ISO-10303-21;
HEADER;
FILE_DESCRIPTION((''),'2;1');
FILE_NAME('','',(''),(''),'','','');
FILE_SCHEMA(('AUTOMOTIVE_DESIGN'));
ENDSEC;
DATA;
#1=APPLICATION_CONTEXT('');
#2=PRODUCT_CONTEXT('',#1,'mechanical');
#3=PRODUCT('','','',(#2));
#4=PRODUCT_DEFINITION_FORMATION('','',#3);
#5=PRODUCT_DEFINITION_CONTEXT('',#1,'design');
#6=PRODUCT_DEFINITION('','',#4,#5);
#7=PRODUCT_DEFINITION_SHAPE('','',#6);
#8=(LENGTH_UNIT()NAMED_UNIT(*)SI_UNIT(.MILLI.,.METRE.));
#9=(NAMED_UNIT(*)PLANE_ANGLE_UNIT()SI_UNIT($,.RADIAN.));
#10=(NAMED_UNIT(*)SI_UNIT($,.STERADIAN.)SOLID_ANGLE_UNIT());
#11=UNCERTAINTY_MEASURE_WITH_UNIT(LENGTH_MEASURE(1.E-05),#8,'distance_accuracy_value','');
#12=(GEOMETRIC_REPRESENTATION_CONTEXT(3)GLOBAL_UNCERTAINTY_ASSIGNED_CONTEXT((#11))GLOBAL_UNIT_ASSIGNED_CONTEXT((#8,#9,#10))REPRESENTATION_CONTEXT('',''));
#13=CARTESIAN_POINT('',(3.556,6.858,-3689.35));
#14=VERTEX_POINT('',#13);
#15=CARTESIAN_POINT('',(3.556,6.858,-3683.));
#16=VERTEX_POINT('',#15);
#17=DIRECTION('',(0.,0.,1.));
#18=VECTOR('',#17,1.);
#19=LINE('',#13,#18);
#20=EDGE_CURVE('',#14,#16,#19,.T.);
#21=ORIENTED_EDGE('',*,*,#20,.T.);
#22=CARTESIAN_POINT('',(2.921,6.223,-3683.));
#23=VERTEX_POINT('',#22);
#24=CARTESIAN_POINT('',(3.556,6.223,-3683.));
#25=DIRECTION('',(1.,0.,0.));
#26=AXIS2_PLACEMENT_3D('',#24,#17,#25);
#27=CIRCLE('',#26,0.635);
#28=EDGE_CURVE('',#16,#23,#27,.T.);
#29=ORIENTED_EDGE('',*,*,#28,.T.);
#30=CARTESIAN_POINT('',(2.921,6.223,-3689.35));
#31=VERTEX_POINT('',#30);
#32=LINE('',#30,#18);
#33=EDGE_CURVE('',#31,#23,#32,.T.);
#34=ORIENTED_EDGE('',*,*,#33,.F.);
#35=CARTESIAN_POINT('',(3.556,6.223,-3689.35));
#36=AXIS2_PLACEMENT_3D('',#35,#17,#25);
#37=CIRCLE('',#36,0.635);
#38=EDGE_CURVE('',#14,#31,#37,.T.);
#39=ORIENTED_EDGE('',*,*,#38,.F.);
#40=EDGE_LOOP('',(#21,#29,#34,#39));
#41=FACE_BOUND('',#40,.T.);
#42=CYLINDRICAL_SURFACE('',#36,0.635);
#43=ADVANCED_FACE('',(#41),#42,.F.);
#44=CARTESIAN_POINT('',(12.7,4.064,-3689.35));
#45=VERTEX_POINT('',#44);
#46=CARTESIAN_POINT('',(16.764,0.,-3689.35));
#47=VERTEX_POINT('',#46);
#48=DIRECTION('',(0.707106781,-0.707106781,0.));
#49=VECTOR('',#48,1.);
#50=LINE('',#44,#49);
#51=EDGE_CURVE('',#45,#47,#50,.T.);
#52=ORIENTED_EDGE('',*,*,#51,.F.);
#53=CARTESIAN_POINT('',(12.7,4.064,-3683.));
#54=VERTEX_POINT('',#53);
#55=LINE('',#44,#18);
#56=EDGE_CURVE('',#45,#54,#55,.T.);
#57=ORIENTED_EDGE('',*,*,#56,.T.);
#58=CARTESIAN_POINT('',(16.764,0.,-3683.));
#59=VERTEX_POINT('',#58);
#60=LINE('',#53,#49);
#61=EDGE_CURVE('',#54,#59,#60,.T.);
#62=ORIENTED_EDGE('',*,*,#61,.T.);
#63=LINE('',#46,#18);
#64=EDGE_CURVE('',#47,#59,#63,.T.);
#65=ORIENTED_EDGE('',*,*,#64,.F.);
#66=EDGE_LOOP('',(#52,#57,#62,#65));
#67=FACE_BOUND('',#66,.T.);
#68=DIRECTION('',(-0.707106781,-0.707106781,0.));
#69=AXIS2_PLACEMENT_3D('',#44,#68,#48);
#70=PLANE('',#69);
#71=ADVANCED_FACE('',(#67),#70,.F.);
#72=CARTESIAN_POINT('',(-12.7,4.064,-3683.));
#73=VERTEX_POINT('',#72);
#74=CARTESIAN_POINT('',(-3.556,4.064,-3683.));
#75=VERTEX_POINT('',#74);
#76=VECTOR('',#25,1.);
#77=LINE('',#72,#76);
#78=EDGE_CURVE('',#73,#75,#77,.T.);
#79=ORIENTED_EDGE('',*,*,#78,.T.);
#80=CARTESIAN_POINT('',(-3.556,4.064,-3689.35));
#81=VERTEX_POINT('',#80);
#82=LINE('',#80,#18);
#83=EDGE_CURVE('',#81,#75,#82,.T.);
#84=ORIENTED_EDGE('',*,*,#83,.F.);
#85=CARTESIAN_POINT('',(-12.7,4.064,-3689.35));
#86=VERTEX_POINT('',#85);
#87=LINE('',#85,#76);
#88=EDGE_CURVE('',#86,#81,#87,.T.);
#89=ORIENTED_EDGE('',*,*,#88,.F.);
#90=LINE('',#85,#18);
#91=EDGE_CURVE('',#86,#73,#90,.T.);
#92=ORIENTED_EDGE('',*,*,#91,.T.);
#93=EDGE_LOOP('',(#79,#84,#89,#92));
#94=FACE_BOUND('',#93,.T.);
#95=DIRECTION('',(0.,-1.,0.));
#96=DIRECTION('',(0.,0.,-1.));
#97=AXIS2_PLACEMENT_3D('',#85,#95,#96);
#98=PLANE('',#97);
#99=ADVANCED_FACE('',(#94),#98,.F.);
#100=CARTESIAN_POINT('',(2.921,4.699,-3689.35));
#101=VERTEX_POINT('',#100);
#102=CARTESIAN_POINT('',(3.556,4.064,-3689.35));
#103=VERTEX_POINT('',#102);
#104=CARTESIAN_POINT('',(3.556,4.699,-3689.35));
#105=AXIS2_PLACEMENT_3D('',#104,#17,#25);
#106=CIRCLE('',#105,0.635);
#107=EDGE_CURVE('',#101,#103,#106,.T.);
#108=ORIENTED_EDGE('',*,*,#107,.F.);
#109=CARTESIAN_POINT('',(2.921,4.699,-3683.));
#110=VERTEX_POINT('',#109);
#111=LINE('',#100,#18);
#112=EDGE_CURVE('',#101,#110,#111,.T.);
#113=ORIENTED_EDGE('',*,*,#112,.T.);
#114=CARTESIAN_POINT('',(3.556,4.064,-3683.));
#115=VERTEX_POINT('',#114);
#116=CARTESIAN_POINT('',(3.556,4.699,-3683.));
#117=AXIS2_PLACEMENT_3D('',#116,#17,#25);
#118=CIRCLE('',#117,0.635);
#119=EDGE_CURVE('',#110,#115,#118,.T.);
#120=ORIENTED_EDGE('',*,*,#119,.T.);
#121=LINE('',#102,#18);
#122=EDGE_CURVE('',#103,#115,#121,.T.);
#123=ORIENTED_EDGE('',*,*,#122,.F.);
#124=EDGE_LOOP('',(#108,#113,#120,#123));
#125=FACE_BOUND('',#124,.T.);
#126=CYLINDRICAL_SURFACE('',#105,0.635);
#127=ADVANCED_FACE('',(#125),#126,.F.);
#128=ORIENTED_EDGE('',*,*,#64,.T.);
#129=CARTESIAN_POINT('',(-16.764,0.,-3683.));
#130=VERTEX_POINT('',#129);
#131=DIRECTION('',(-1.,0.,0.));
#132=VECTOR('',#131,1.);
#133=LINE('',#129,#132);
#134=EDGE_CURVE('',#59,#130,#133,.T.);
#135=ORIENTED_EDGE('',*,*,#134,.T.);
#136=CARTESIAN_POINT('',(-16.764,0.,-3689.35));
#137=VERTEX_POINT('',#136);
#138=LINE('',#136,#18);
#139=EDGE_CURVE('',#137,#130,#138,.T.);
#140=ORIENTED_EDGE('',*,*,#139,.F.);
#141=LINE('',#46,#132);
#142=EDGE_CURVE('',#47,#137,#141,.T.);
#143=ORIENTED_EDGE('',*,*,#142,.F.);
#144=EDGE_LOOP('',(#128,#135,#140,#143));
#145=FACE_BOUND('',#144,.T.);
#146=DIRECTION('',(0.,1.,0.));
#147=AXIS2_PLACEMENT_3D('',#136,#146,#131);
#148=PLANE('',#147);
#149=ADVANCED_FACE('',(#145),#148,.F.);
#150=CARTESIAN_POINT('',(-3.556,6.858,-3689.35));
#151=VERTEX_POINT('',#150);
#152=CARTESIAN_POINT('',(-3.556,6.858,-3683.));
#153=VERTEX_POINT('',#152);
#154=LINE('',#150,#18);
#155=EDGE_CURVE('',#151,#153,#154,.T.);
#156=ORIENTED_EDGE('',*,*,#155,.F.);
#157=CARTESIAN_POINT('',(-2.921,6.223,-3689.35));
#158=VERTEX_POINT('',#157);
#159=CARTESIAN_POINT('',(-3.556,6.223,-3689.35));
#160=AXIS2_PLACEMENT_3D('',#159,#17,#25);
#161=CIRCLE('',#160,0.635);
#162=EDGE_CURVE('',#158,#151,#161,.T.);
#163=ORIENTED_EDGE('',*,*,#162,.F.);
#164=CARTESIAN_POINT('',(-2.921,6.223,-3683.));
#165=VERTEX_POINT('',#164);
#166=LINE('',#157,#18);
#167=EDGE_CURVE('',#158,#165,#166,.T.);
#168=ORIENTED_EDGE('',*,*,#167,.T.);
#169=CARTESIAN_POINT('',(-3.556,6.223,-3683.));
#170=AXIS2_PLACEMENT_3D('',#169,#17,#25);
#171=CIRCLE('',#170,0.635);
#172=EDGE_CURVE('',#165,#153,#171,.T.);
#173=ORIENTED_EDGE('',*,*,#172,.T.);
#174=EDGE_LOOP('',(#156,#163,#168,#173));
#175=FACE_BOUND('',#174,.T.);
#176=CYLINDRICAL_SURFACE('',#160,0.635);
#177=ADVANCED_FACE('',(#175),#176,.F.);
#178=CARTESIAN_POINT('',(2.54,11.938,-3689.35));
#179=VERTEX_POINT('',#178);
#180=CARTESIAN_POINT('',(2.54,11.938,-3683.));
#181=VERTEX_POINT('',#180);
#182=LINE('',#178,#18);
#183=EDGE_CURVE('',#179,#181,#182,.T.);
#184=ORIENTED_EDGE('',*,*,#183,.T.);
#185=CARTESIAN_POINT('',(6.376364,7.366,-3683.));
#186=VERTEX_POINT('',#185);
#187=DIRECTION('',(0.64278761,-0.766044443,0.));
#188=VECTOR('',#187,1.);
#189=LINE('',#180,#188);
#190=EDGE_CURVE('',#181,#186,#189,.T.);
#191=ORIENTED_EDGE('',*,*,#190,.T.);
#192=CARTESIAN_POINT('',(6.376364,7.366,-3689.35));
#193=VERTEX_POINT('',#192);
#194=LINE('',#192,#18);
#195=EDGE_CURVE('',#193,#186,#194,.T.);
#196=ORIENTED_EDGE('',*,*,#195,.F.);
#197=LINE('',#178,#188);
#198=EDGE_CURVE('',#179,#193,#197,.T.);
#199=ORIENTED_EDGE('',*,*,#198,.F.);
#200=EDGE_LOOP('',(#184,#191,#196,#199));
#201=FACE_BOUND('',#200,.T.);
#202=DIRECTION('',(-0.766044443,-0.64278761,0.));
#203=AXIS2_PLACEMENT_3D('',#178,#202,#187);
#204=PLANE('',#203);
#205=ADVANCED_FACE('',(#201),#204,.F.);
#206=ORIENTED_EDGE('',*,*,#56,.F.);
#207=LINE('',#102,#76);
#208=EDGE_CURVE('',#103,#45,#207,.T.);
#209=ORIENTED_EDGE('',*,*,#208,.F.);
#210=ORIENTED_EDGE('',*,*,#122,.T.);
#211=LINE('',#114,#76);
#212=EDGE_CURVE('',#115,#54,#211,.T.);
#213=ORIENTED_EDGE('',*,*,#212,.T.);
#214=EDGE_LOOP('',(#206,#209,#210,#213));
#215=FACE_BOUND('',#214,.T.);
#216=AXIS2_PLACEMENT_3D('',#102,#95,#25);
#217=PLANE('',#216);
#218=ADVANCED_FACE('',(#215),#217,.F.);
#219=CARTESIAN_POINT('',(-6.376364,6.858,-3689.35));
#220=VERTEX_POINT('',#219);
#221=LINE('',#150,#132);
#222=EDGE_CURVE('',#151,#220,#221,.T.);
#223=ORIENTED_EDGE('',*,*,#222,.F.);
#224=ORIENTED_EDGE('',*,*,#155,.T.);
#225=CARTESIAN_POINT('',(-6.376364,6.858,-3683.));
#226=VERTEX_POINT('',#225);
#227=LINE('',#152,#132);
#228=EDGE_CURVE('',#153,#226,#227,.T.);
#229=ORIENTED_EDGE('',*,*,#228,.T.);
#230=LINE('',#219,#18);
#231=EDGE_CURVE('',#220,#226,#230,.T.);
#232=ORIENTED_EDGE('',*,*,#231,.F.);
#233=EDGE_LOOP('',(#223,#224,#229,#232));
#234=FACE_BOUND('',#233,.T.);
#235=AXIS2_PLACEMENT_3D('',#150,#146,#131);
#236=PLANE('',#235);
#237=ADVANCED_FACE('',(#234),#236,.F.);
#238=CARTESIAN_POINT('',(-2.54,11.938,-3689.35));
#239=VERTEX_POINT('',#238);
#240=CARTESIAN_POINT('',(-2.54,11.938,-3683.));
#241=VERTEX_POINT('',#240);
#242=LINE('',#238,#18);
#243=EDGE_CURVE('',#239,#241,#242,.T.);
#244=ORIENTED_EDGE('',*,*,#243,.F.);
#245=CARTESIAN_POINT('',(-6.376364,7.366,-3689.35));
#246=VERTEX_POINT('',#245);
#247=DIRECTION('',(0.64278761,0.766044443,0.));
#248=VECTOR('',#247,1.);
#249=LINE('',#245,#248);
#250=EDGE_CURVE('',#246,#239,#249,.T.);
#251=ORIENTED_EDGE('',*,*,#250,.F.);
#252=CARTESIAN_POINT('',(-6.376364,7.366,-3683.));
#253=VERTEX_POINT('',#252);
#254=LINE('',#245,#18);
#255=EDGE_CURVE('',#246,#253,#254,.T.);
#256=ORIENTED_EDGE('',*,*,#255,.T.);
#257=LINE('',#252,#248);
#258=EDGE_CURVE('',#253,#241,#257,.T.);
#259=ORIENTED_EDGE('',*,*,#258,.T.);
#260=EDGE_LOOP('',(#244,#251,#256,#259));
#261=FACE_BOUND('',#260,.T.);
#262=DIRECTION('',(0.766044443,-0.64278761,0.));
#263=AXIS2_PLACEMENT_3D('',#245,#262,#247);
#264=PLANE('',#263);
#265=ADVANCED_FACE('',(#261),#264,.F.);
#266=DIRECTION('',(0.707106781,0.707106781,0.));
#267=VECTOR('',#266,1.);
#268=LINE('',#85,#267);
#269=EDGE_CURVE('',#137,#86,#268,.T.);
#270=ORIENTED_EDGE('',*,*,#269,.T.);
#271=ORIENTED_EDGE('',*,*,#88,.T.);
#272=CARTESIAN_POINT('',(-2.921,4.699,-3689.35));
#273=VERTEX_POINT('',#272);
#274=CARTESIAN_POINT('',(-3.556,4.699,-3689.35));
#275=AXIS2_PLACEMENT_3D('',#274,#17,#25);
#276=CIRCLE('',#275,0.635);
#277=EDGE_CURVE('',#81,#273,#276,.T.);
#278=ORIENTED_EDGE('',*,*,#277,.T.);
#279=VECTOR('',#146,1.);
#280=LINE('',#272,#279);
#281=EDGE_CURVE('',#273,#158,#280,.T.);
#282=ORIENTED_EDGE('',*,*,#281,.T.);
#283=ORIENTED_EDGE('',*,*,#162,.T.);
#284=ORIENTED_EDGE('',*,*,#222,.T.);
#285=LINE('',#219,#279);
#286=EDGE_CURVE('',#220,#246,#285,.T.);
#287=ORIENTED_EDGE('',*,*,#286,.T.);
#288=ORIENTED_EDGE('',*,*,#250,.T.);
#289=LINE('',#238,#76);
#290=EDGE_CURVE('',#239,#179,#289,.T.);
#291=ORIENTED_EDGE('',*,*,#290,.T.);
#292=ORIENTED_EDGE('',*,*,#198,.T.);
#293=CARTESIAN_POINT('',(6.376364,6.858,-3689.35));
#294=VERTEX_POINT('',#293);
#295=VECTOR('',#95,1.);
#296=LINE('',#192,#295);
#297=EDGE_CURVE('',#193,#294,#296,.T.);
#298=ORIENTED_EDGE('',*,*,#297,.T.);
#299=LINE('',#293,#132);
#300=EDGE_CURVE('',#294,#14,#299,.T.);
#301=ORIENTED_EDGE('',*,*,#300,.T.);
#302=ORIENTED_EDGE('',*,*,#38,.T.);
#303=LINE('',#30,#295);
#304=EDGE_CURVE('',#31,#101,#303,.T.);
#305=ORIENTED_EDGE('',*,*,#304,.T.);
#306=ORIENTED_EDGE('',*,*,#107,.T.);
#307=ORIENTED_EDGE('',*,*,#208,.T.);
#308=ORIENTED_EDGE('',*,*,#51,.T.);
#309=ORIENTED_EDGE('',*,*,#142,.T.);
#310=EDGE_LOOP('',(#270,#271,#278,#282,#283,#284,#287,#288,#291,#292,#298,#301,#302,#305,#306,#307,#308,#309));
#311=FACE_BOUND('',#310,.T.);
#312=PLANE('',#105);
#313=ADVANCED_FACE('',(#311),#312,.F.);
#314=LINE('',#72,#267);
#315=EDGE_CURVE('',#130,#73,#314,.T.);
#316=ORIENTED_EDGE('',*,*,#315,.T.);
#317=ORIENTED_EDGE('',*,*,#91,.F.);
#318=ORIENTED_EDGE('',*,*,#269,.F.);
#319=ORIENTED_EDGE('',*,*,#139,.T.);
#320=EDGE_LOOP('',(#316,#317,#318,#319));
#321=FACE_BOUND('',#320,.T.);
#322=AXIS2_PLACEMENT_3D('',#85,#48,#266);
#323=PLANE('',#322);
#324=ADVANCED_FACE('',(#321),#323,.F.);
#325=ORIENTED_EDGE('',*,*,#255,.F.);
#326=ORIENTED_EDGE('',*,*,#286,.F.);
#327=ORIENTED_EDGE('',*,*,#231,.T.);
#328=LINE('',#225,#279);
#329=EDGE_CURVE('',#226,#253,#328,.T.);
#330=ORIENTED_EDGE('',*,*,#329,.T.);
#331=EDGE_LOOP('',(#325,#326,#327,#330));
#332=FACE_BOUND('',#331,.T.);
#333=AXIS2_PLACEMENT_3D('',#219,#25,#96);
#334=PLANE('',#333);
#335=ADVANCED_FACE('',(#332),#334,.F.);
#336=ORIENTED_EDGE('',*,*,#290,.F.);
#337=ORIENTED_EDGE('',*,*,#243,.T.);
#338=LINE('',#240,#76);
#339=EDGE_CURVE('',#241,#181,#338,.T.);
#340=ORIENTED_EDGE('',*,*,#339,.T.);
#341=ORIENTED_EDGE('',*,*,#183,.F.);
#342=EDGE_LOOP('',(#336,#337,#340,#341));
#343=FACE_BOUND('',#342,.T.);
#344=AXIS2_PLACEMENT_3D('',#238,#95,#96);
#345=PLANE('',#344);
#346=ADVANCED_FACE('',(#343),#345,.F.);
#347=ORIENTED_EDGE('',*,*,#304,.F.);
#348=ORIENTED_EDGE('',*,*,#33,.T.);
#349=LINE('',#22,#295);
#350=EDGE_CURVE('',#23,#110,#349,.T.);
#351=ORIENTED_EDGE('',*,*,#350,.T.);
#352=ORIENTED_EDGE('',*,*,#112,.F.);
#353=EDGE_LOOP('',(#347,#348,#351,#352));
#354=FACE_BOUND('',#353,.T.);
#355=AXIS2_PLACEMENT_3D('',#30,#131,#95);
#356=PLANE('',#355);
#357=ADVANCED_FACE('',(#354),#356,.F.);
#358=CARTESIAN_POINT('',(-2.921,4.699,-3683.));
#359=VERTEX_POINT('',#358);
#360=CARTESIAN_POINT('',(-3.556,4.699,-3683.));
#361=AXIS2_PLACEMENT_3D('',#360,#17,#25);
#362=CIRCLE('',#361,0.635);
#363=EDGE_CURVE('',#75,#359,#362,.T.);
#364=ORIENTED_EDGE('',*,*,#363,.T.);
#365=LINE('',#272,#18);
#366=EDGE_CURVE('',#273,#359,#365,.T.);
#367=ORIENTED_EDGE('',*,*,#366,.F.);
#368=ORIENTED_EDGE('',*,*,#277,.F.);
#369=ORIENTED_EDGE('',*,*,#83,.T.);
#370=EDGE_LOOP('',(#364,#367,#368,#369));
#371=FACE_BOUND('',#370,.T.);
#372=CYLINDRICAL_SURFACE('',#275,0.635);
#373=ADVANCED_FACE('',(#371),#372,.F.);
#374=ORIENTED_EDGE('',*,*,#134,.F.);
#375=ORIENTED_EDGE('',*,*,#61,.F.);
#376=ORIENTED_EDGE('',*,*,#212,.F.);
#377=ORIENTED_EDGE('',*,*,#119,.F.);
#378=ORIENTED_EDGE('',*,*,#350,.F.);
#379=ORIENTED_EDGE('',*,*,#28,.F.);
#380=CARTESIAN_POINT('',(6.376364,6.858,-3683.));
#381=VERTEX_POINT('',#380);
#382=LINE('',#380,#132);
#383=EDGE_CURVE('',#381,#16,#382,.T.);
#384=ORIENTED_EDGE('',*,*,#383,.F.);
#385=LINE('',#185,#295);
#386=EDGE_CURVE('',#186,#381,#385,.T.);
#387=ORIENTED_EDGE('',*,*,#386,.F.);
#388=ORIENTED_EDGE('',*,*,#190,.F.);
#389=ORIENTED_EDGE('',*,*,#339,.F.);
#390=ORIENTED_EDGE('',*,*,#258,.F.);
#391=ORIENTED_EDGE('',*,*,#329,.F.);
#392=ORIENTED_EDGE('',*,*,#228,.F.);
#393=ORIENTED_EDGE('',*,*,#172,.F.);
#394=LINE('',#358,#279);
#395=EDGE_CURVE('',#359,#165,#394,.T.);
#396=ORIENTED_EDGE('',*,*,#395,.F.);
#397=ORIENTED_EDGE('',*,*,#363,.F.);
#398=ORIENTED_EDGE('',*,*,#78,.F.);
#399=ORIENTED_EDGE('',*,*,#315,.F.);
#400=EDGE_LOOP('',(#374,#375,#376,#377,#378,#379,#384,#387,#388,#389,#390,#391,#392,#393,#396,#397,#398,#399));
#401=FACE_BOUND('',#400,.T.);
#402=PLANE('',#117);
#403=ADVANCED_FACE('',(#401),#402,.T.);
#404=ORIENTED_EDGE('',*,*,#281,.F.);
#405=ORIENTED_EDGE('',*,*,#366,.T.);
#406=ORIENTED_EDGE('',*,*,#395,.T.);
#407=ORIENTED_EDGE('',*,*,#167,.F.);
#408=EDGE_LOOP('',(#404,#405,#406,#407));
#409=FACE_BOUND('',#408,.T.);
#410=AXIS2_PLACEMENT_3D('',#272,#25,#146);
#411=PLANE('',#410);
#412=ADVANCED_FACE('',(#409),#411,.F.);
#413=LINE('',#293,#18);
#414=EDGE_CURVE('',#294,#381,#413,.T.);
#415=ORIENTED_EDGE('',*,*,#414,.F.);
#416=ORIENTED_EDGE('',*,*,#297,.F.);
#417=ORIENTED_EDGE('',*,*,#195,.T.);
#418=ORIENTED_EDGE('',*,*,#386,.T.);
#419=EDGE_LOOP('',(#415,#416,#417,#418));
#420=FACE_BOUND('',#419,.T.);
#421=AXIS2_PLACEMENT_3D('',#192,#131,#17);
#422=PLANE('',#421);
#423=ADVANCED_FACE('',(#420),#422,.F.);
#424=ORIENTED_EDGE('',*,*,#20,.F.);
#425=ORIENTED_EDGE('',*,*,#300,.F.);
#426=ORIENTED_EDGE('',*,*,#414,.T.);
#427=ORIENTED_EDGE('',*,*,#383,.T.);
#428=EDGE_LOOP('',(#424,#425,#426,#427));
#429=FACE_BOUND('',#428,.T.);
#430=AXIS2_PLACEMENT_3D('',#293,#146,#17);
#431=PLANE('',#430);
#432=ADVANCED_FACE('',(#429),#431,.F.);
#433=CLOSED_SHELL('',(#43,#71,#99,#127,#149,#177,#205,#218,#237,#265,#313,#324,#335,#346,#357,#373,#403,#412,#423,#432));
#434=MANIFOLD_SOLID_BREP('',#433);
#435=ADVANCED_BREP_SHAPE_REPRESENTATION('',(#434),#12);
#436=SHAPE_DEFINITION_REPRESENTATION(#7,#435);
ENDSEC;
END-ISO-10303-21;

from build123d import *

# Parameters (mm, degrees)
BOSS_EXTRUDE8_DEPTH = 6.35


with BuildPart() as part:
    # Sketch1 → Boss-Extrude8 (new body)
    with BuildSketch(Plane(origin=(0, 0, -3683), x_dir=(-1, 0, 0), z_dir=(0, 0, -1))):
        with BuildLine():
            Line((12.7, 4.064), (3.556, 4.064))
            ThreePointArc((3.556, 4.064), (3.106987194, 4.249987194), (2.921, 4.699))
            Line((2.921, 4.699), (2.921, 6.223))
            ThreePointArc((2.921, 6.223), (3.106987194, 6.672012806), (3.556, 6.858))
            Line((3.556, 6.858), (6.376363549, 6.858))
            Line((6.376363549, 6.858), (6.376363549, 7.365999958))
            Line((6.376363549, 7.365999958), (2.54, 11.938))
            Line((2.54, 11.938), (-2.54, 11.938))
            Line((-2.54, 11.938), (-6.376363549, 7.365999958))
            Line((-6.376363549, 7.365999958), (-6.376363549, 6.858))
            Line((-6.376363549, 6.858), (-3.556, 6.858))
            ThreePointArc((-3.556, 6.858), (-3.106987194, 6.672012806), (-2.921, 6.223))
            Line((-2.921, 6.223), (-2.921, 4.699))
            ThreePointArc((-2.921, 4.699), (-3.106987194, 4.249987194), (-3.556, 4.064))
            Line((-3.556, 4.064), (-12.7, 4.064))
            Line((-12.7, 4.064), (-16.764, 0))
            Line((-16.764, 0), (-12.7, 0))
            Line((-12.7, 0), (12.7, 0))
            Line((12.7, 0), (16.764, 0))
            Line((16.764, 0), (12.7, 4.064))
        make_face()
    extrude(amount=BOSS_EXTRUDE8_DEPTH)


solid = part.part
